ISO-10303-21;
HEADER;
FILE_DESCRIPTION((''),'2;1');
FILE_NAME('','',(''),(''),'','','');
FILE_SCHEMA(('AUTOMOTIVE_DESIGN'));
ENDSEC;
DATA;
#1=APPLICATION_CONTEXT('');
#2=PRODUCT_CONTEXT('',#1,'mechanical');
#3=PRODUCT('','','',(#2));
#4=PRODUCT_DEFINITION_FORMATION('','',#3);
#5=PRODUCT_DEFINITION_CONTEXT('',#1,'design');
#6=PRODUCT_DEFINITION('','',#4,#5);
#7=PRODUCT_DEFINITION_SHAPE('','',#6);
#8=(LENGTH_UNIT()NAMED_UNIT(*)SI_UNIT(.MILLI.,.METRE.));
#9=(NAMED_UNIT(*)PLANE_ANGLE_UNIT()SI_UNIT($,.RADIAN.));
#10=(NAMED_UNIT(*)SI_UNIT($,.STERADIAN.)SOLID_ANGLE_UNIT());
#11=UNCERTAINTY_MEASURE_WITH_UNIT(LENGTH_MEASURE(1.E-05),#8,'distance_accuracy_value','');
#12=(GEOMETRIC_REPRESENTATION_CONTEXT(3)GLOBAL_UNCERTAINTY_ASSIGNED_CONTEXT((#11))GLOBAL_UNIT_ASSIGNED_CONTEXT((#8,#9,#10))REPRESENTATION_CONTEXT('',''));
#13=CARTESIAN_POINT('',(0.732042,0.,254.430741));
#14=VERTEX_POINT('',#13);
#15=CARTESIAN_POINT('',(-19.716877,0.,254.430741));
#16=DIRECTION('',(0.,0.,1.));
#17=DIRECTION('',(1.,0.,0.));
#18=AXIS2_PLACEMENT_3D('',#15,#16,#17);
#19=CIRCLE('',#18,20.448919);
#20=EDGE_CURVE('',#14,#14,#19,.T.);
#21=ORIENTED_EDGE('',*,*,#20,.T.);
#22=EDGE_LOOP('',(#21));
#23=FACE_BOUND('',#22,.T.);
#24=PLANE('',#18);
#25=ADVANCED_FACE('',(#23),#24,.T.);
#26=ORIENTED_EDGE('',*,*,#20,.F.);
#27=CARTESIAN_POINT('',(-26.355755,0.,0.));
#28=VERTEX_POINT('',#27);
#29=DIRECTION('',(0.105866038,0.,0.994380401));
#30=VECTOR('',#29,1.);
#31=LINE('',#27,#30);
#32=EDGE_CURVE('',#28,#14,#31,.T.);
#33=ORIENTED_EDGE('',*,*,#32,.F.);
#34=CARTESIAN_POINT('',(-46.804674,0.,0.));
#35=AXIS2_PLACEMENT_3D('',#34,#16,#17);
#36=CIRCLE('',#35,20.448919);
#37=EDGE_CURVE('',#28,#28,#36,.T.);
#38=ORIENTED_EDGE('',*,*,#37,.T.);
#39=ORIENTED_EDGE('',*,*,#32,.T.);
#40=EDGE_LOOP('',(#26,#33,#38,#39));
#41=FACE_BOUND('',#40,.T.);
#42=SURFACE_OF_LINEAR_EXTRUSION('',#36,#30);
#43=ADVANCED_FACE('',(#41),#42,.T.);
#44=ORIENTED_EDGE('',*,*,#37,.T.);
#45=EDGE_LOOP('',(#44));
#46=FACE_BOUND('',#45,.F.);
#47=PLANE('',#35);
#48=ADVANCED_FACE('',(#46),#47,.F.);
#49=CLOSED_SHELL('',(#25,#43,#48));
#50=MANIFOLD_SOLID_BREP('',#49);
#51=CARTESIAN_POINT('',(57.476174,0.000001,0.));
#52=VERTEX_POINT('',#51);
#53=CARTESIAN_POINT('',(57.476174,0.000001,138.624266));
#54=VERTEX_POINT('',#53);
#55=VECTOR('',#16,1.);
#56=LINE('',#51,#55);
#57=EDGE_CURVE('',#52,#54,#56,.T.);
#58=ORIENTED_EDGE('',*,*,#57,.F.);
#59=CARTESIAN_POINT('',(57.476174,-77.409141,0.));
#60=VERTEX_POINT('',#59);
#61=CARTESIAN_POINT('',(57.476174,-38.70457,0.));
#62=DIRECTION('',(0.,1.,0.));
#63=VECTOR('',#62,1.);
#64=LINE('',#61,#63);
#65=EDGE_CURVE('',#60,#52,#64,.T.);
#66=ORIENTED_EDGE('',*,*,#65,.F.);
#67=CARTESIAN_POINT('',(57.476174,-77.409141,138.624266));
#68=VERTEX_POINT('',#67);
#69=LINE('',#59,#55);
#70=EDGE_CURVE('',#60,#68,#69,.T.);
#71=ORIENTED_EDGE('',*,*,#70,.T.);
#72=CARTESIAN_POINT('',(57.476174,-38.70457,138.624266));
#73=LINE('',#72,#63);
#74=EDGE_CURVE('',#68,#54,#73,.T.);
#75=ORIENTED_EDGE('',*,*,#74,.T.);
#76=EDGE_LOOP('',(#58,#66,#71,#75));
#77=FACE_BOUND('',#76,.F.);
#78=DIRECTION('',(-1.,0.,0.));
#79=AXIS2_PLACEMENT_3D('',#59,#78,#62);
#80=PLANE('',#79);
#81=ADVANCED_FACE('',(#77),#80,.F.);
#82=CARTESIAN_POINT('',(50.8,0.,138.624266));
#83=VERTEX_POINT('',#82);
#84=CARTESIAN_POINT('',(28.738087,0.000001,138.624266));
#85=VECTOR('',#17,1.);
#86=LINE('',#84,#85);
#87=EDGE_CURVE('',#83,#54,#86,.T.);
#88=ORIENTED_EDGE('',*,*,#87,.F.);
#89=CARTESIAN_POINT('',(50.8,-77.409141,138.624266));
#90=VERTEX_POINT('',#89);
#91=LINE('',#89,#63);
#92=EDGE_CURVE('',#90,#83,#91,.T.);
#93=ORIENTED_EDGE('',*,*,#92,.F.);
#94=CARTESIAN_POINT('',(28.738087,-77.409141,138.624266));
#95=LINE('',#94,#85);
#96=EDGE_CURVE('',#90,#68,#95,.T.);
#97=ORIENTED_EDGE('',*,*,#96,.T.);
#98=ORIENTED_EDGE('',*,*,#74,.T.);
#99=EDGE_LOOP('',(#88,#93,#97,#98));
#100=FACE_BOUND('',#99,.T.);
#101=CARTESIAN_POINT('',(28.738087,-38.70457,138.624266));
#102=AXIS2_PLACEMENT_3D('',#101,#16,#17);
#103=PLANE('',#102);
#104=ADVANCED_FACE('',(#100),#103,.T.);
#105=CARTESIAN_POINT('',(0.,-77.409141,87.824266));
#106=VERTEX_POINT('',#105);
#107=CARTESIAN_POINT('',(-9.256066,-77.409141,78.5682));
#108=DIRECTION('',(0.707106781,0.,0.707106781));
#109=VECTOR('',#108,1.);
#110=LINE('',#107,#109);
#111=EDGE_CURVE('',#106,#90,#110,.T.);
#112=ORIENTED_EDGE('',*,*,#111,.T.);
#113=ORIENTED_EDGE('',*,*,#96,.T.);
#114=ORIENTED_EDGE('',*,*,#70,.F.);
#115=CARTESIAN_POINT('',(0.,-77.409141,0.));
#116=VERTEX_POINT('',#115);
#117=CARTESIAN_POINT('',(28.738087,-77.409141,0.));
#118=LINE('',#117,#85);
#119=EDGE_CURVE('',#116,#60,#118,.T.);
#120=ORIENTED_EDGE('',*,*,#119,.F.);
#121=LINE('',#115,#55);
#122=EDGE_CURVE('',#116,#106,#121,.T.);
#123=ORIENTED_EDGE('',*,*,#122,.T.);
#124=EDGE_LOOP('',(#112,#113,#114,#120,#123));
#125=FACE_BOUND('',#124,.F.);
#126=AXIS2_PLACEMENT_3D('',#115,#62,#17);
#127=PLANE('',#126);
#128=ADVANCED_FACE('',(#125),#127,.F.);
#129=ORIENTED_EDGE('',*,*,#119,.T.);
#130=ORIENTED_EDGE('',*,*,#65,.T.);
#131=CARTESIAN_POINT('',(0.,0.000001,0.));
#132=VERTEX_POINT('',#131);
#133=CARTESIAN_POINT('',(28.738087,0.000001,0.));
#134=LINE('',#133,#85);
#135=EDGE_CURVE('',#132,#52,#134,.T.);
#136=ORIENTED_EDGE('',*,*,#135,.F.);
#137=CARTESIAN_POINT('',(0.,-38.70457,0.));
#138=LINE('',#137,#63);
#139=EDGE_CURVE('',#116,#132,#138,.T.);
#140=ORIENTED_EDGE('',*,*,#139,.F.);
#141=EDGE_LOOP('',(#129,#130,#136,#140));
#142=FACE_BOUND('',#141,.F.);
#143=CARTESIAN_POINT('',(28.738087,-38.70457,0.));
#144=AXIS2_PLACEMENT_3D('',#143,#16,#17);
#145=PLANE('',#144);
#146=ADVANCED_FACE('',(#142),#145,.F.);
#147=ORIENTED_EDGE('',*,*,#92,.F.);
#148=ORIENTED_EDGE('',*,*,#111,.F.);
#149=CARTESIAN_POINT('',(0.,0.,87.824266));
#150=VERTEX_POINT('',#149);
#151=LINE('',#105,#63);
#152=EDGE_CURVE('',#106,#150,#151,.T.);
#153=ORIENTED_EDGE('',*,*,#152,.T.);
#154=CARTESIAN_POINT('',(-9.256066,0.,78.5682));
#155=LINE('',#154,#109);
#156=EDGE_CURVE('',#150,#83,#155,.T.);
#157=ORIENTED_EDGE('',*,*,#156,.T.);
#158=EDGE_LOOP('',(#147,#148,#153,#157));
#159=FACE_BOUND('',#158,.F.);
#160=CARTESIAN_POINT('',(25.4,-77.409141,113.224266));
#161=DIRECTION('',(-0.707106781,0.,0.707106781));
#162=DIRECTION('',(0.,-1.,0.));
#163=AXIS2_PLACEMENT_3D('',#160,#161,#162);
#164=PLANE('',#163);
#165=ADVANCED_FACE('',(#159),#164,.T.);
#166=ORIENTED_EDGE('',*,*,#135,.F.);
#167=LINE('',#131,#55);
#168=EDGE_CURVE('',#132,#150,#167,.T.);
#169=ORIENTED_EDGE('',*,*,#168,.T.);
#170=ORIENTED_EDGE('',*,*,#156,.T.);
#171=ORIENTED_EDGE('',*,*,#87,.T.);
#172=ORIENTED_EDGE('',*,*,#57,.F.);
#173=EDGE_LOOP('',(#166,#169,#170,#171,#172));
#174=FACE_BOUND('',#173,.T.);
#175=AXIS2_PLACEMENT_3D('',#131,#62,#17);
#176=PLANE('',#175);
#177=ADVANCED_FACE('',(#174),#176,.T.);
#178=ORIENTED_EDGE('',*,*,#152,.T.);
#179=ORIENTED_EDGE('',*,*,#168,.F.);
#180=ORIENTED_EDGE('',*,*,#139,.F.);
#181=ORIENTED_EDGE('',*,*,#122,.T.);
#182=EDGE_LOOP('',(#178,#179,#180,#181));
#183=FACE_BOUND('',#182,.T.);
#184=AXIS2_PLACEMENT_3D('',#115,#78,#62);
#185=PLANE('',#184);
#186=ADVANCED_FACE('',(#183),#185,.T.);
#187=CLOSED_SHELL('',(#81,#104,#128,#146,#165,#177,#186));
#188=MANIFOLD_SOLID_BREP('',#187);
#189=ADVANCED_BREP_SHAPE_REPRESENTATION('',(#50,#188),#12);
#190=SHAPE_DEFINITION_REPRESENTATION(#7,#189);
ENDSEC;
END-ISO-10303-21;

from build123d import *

# Parameters (mm, degrees)
F0_W     = 57.476174
F0_H     = 77.409141
F1_DEPTH = 138.624266
F2_SIZE  = 50.8
F3_R     = 20.448919


with BuildPart() as f1:
    # F0 (on Top) → F1 (new body)
    with BuildSketch(Plane.XY):
        with Locations((28.738087, -38.70457)):
            Rectangle(F0_W, F0_H)
    extrude(amount=F1_DEPTH)

    # F2
    f2_edges = [f1.edges().sort_by_distance(p)[0] for p in [
        (0, -38.70457, 138.624266),
    ]]
    chamfer(f2_edges, length=F2_SIZE)


with BuildPart() as f5:
    # F5: sweep along a path in F4
    with BuildLine(Plane.XZ) as f5_path:
        Line((-49.221203, 0), (-22.133406, 254.430741))
    # F3 (on Top) → F5 (sweep)
    with BuildSketch(Plane.XY):
        with Locations((-46.804674, 0)):
            Circle(F3_R)
    sweep(path=f5_path.line)


solid = Compound([f1.part, f5.part])
